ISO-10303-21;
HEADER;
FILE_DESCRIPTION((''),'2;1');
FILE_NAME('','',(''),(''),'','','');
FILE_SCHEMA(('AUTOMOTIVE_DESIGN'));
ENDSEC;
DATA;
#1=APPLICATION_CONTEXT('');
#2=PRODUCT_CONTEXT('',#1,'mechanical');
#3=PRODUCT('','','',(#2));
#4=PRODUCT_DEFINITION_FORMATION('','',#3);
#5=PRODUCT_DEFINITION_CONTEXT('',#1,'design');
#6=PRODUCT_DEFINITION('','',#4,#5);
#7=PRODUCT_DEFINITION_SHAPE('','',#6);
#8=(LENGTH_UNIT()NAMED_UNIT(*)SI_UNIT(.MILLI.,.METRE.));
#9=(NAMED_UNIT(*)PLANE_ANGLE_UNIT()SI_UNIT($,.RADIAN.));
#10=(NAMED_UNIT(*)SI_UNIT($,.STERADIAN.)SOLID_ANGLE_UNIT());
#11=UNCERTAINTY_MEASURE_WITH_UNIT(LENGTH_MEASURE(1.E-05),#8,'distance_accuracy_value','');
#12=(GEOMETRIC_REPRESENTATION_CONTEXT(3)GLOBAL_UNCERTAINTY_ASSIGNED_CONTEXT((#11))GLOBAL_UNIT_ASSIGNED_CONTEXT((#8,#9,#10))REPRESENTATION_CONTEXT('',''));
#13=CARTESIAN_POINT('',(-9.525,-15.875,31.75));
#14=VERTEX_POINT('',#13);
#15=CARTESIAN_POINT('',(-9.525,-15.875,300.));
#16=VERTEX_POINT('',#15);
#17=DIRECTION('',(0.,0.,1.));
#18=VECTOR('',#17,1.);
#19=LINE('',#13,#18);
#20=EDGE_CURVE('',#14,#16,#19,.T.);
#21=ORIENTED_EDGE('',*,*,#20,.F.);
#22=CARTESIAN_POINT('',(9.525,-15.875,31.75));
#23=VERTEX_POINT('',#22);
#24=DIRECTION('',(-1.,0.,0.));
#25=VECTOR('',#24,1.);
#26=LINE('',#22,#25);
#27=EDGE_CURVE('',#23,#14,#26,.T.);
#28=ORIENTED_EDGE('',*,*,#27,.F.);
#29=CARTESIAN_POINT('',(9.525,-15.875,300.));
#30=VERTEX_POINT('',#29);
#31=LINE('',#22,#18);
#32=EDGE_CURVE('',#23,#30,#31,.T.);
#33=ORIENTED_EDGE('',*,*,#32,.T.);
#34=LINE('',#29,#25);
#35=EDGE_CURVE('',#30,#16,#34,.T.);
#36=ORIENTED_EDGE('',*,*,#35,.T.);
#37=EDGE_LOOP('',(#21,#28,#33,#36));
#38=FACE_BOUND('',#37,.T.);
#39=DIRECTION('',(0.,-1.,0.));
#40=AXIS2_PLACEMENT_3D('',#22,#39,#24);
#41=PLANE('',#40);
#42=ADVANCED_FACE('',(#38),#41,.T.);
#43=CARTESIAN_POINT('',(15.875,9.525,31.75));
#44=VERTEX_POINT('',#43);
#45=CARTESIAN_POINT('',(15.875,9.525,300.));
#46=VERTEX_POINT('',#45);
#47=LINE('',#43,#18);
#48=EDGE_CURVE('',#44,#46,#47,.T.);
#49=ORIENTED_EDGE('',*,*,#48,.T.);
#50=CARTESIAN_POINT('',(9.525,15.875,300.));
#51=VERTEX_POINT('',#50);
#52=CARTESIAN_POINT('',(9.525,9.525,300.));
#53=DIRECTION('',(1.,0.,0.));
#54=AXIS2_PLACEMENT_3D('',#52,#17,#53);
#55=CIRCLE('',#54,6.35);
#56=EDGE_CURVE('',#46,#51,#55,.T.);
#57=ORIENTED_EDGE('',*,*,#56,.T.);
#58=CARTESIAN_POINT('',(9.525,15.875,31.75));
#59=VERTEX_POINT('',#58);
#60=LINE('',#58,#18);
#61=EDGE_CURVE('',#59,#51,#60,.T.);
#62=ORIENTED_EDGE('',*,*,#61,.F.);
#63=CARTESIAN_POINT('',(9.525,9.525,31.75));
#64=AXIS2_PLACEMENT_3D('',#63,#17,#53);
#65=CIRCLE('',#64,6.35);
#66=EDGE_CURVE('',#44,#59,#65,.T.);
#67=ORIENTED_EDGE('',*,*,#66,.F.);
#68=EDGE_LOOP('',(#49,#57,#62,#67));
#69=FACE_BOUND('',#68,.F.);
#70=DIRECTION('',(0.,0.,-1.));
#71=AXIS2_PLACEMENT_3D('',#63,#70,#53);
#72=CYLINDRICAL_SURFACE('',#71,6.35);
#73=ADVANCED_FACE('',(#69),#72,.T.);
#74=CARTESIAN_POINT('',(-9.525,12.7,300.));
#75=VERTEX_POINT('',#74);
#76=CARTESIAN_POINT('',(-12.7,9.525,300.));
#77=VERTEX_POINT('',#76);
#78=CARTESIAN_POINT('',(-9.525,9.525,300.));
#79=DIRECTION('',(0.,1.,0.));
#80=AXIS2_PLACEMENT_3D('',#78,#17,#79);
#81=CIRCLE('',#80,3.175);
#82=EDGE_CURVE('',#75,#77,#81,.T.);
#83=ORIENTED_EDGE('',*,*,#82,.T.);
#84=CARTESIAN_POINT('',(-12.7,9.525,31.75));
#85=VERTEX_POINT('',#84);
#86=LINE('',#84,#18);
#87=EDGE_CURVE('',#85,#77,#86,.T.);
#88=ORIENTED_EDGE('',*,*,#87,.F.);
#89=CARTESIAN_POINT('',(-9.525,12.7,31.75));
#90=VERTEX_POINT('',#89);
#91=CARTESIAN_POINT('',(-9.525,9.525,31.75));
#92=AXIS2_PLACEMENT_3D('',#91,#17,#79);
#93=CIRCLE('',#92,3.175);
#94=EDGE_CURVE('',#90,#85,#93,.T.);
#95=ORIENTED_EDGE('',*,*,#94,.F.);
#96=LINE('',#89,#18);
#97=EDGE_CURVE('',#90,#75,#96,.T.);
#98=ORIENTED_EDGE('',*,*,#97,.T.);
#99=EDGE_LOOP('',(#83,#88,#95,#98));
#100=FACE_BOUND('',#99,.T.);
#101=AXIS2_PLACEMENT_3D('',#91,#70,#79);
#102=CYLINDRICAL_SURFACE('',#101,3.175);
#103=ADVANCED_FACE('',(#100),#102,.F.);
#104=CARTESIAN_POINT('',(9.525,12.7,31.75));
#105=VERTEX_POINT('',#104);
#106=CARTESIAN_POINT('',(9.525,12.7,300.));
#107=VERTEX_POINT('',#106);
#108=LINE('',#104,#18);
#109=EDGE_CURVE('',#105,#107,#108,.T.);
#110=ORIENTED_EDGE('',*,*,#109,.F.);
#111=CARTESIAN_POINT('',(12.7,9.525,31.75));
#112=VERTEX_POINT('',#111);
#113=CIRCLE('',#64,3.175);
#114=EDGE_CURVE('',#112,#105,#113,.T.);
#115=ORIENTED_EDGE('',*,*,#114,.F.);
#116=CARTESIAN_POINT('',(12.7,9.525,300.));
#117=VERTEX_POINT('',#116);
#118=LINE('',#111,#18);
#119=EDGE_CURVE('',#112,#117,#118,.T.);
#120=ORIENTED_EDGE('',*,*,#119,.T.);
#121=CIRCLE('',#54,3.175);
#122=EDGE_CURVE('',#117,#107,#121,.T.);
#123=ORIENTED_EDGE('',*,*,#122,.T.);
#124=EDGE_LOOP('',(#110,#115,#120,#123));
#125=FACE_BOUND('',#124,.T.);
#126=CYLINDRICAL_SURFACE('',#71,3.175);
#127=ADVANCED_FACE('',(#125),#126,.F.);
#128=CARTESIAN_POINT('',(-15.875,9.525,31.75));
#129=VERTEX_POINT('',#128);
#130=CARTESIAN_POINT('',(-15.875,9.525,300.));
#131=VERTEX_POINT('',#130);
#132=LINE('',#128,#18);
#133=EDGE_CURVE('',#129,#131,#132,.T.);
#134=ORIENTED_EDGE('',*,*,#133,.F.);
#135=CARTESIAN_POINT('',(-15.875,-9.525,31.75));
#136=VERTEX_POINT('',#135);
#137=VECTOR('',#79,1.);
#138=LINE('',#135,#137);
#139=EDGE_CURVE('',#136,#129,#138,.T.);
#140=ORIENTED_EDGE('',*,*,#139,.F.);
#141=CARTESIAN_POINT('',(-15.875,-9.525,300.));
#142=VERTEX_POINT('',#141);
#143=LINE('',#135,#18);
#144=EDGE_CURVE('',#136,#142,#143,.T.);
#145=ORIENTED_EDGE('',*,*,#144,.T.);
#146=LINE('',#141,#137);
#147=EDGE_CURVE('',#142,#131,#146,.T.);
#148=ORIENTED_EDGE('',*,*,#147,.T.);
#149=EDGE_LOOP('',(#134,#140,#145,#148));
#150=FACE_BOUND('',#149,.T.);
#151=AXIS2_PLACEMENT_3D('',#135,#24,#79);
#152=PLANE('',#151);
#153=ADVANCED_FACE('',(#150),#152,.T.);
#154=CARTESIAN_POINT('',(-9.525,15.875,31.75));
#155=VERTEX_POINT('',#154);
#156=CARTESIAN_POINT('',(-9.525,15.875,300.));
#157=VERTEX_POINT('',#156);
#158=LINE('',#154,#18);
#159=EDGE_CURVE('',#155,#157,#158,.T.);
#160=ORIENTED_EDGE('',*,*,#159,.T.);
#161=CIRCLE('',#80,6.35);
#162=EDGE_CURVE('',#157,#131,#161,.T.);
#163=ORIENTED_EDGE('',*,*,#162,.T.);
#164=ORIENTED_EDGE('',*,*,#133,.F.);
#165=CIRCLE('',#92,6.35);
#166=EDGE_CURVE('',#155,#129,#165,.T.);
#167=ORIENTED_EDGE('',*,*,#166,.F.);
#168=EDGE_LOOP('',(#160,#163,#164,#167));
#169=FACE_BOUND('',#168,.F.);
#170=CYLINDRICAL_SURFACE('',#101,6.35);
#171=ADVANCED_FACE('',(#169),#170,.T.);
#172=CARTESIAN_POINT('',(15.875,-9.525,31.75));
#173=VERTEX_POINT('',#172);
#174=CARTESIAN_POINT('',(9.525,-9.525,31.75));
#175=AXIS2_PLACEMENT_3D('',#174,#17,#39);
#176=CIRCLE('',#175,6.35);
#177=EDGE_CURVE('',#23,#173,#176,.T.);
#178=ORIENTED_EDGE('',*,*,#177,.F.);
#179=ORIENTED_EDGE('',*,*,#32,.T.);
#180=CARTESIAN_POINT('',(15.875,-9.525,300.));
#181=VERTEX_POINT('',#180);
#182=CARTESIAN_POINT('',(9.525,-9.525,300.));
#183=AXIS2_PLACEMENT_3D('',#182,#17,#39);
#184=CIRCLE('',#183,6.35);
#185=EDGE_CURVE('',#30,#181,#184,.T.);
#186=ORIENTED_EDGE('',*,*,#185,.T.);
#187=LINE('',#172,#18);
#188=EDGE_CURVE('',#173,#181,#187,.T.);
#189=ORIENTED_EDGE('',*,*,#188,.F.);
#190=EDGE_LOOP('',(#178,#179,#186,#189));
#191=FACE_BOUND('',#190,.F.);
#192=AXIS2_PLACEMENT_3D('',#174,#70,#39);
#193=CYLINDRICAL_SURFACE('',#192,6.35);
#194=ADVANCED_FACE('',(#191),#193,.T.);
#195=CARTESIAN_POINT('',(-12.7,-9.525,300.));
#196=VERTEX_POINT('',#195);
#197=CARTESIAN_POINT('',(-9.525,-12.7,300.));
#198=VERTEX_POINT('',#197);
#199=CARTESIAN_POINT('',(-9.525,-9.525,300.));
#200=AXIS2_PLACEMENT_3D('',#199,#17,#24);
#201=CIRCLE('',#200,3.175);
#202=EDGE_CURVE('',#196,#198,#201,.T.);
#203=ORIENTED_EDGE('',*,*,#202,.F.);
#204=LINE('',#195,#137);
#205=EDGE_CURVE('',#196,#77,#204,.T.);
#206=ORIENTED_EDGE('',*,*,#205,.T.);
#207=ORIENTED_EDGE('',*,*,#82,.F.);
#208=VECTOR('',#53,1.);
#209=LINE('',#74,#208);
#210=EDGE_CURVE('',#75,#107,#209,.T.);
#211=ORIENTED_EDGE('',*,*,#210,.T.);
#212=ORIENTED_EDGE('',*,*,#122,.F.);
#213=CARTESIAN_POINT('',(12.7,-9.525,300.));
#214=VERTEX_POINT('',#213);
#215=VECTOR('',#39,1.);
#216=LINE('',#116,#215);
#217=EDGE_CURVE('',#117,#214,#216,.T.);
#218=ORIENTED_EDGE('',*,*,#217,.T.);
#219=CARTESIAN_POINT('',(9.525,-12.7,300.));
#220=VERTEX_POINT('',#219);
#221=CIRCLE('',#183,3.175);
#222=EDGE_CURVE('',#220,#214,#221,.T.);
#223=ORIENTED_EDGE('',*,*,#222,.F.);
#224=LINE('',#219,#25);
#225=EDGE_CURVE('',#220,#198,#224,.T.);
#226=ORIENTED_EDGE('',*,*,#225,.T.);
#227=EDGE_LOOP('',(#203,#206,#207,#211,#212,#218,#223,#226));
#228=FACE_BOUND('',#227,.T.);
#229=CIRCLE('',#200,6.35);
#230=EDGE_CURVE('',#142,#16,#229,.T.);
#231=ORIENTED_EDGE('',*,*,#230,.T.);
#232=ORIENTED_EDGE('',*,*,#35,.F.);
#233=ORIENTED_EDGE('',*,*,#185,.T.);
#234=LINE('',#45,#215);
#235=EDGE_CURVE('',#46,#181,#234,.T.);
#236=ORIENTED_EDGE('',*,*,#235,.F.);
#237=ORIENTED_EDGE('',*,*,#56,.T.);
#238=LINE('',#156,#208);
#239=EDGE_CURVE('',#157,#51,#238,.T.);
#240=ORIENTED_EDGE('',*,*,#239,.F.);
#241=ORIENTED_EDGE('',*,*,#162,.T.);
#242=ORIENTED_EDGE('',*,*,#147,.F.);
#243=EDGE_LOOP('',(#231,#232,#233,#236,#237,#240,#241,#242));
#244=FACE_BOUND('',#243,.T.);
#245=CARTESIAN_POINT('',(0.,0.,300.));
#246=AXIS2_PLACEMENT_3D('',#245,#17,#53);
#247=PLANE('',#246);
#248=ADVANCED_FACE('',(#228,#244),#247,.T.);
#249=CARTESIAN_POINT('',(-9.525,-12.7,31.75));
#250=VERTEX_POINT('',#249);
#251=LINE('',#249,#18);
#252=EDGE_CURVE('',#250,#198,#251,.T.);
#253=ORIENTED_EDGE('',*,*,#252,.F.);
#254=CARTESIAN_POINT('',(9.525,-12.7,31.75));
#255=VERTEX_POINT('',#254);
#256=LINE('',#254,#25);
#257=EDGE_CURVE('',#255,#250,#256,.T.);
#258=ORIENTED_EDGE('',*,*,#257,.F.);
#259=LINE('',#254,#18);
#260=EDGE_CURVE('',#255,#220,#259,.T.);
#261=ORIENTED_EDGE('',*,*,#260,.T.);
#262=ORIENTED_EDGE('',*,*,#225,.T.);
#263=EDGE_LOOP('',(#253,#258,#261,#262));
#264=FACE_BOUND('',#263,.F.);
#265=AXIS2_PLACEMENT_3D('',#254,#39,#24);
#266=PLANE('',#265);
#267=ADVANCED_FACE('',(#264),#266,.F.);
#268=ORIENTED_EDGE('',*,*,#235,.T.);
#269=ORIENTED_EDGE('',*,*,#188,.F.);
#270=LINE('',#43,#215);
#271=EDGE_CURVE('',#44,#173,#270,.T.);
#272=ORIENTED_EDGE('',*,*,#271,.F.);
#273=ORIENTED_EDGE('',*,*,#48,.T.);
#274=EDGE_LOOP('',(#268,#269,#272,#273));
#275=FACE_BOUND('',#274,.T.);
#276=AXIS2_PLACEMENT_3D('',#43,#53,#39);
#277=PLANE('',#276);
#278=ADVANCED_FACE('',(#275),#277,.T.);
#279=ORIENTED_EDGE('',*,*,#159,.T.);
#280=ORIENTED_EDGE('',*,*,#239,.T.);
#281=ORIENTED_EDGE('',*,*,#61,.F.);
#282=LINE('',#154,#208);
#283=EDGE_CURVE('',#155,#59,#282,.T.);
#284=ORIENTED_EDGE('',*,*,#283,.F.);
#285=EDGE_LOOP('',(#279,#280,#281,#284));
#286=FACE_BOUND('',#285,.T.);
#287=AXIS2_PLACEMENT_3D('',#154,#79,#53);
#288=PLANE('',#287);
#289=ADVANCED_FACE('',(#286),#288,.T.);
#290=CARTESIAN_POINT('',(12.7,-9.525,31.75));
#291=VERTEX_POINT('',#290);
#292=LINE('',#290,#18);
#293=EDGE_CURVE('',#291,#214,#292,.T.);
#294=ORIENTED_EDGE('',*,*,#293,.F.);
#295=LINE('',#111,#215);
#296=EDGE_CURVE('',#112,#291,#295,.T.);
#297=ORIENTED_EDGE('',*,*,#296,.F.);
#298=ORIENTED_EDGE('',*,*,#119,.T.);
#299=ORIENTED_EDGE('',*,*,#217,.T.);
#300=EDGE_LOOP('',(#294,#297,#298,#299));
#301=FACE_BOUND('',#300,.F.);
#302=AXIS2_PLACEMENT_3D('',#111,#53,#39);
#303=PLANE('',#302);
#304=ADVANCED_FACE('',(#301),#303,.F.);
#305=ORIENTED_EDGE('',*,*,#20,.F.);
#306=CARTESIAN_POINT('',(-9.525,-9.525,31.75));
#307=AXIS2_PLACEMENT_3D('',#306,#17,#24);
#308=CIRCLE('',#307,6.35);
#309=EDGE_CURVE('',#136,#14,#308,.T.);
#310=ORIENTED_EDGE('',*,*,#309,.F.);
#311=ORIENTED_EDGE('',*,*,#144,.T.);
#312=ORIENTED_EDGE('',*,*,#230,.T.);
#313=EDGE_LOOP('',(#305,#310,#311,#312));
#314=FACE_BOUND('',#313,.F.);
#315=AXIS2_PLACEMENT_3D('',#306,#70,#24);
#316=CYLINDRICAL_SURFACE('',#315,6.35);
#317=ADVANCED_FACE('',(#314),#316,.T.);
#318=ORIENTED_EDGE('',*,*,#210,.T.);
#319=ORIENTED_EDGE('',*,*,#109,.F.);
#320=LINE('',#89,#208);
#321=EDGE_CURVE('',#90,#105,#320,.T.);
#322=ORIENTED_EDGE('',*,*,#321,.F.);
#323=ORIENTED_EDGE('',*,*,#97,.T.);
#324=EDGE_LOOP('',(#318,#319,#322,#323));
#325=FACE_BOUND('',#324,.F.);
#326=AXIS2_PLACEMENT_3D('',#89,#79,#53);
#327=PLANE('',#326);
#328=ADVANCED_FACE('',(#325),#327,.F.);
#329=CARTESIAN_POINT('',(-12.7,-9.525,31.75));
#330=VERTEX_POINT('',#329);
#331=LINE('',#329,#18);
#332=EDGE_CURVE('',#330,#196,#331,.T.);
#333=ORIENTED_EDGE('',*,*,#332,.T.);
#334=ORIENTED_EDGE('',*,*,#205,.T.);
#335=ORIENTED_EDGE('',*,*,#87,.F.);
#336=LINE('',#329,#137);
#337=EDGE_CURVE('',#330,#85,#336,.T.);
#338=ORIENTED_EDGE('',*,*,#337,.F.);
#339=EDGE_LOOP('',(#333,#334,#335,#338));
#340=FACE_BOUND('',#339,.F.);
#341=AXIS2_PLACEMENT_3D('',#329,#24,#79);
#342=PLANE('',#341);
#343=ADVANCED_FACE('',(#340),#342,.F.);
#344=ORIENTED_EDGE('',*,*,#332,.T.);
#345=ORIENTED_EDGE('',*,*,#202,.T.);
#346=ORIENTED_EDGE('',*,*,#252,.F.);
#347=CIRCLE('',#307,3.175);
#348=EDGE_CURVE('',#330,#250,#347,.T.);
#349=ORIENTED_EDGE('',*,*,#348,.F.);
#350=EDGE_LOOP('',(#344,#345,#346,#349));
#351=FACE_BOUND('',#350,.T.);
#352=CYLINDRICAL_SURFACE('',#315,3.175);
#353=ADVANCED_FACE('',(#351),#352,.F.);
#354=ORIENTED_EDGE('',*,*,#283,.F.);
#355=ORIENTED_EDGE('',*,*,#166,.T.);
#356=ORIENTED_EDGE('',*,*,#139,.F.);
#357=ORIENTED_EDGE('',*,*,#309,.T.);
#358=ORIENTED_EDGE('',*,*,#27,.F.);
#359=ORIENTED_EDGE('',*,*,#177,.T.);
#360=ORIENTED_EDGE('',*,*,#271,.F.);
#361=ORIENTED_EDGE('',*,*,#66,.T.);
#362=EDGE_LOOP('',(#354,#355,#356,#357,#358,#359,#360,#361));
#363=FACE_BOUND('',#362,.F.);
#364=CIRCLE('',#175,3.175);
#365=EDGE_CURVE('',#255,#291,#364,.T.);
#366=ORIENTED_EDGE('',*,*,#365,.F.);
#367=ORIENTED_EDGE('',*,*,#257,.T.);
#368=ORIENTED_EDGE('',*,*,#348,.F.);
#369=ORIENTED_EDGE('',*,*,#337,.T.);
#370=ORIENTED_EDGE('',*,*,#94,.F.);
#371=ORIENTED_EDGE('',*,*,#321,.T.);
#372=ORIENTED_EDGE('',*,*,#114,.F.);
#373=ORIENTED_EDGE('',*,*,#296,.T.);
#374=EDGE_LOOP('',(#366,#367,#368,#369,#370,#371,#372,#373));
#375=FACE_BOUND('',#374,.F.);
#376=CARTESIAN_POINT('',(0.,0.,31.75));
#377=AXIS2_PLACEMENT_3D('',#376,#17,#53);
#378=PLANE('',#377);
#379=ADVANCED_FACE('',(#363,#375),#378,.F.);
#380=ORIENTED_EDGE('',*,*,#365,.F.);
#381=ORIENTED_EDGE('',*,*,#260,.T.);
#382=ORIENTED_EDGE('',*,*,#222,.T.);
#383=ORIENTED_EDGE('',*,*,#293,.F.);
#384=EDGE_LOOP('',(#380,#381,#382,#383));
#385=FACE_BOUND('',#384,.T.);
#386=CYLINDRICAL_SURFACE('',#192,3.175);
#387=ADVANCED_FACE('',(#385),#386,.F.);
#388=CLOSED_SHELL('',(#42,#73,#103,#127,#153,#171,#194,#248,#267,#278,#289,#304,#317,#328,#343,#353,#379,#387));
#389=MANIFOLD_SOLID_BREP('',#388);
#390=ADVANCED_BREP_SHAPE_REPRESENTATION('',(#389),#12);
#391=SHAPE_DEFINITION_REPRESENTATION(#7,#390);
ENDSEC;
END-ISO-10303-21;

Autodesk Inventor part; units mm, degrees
ref_plane "Start Plane" through (0, 0, 31.75) normal (0, 0, 1) x (1, 0, 0)
ref_plane "End Plane" through (0, 0, 300) normal (0, 0, 1) x (1, 0, 0)
sketch "Sketch" plane through (0, 0, 0) normal (0, 0, 1) x (1, 0, 0)
  line L0 (-15.875, -9.525) -> (-15.875, 9.525)
  line L1 (-9.525, 15.875) -> (9.525, 15.875)
  line L2 (15.875, 9.525) -> (15.875, -9.525)
  line L3 (9.525, -15.875) -> (-9.525, -15.875)
  arc A0 (-15.875, -9.525) -> (-9.525, -15.875) centre (-9.525, -9.525) ccw
  arc A1 (-9.525, 15.875) -> (-15.875, 9.525) centre (-9.525, 9.525) ccw
  arc A2 (15.875, 9.525) -> (9.525, 15.875) centre (9.525, 9.525) ccw
  arc A3 (9.525, -15.875) -> (15.875, -9.525) centre (9.525, -9.525) ccw
  arc A4 (-9.525, 12.7) -> (-12.7, 9.525) centre (-9.525, 9.525) ccw
  line L4 (-9.525, 12.7) -> (9.525, 12.7)
  arc A5 (12.7, 9.525) -> (9.525, 12.7) centre (9.525, 9.525) ccw
  line L5 (12.7, 9.525) -> (12.7, -9.525)
  arc A6 (9.525, -12.7) -> (12.7, -9.525) centre (9.525, -9.525) ccw
  line L6 (9.525, -12.7) -> (-9.525, -12.7)
  arc A7 (-12.7, -9.525) -> (-9.525, -12.7) centre (-9.525, -9.525) ccw
  line L7 (-12.7, -9.525) -> (-12.7, 9.525)
  line L8 (0, 24.0662) -> (0, -24.0662) construction
  line L9 (-24.0662, 0) -> (24.0662, 0) construction
  dimension "d10" = 31.75
  dimension "d11" = 31.75
  dimension "d12" = 3.175
  dimension "d15" = 15.875
  dimension "d16" = 15.875
  dimension "d17" = 6.35
extrude "Body" add sketch "Sketch" along normal up to surface (268.25 mm away) from surface at 31.75
sketch "Sketch3" plane through (0, 0, 0) normal (0, 0, 1) x (1, 0, 0)
  line L0 (0, 0) -> (10, 0)
ref_plane "Work Plane3" through (0, 0, 0) normal (0, -1, 0) x (1, 0, 0)
ref_plane "Work Plane4" through (1400, -6.35, 31.75) normal (0, 0, -1) x (-1, 0, 0)
split "Split1" plane through (1400, -6.35, 31.75) removes the side toward (0, 0, -1)
sketch "Sketch4" plane through (0, 0, 0) normal (0, -1, 0) x (1, 0, 0)
  line L0 (-2, 31.75) -> (12, 31.75) projected
  line L1 (-2, 300) -> (12, 300) projected
  dimension "d19" = 268.25
equation "\"d10\" = G_H"
equation "\"d11\" = G_W"
equation "\"d12\" = G_T"
equation "\"d15\" = 0.5 * d10"
equation "\"d16\" = 0.5 * d11"
equation "\"d17\" = G_IR"
equation "\"d3\" = G_L"
equation "\"G_W\" = 31.75"
equation "\"G_H\" = 31.75"
equation "\"G_T\" = 3.175"
equation "\"G_IR\" = 6.35"
equation "\"G_L\" = d19"
equation "\"G_OFFSET_START\" = -31.75"
equation "\"G_OFFSET_END\" = 0"
equation "\"d13\" = -G_OFFSET_START"
equation "\"d14\" = G_OFFSET_END + B_L"
equation "\"B_L\" = 300"
properties part number "AISC HSS - (1 1/4x1 1/4x1/8) - 10.561" material "Steel, Mild"
